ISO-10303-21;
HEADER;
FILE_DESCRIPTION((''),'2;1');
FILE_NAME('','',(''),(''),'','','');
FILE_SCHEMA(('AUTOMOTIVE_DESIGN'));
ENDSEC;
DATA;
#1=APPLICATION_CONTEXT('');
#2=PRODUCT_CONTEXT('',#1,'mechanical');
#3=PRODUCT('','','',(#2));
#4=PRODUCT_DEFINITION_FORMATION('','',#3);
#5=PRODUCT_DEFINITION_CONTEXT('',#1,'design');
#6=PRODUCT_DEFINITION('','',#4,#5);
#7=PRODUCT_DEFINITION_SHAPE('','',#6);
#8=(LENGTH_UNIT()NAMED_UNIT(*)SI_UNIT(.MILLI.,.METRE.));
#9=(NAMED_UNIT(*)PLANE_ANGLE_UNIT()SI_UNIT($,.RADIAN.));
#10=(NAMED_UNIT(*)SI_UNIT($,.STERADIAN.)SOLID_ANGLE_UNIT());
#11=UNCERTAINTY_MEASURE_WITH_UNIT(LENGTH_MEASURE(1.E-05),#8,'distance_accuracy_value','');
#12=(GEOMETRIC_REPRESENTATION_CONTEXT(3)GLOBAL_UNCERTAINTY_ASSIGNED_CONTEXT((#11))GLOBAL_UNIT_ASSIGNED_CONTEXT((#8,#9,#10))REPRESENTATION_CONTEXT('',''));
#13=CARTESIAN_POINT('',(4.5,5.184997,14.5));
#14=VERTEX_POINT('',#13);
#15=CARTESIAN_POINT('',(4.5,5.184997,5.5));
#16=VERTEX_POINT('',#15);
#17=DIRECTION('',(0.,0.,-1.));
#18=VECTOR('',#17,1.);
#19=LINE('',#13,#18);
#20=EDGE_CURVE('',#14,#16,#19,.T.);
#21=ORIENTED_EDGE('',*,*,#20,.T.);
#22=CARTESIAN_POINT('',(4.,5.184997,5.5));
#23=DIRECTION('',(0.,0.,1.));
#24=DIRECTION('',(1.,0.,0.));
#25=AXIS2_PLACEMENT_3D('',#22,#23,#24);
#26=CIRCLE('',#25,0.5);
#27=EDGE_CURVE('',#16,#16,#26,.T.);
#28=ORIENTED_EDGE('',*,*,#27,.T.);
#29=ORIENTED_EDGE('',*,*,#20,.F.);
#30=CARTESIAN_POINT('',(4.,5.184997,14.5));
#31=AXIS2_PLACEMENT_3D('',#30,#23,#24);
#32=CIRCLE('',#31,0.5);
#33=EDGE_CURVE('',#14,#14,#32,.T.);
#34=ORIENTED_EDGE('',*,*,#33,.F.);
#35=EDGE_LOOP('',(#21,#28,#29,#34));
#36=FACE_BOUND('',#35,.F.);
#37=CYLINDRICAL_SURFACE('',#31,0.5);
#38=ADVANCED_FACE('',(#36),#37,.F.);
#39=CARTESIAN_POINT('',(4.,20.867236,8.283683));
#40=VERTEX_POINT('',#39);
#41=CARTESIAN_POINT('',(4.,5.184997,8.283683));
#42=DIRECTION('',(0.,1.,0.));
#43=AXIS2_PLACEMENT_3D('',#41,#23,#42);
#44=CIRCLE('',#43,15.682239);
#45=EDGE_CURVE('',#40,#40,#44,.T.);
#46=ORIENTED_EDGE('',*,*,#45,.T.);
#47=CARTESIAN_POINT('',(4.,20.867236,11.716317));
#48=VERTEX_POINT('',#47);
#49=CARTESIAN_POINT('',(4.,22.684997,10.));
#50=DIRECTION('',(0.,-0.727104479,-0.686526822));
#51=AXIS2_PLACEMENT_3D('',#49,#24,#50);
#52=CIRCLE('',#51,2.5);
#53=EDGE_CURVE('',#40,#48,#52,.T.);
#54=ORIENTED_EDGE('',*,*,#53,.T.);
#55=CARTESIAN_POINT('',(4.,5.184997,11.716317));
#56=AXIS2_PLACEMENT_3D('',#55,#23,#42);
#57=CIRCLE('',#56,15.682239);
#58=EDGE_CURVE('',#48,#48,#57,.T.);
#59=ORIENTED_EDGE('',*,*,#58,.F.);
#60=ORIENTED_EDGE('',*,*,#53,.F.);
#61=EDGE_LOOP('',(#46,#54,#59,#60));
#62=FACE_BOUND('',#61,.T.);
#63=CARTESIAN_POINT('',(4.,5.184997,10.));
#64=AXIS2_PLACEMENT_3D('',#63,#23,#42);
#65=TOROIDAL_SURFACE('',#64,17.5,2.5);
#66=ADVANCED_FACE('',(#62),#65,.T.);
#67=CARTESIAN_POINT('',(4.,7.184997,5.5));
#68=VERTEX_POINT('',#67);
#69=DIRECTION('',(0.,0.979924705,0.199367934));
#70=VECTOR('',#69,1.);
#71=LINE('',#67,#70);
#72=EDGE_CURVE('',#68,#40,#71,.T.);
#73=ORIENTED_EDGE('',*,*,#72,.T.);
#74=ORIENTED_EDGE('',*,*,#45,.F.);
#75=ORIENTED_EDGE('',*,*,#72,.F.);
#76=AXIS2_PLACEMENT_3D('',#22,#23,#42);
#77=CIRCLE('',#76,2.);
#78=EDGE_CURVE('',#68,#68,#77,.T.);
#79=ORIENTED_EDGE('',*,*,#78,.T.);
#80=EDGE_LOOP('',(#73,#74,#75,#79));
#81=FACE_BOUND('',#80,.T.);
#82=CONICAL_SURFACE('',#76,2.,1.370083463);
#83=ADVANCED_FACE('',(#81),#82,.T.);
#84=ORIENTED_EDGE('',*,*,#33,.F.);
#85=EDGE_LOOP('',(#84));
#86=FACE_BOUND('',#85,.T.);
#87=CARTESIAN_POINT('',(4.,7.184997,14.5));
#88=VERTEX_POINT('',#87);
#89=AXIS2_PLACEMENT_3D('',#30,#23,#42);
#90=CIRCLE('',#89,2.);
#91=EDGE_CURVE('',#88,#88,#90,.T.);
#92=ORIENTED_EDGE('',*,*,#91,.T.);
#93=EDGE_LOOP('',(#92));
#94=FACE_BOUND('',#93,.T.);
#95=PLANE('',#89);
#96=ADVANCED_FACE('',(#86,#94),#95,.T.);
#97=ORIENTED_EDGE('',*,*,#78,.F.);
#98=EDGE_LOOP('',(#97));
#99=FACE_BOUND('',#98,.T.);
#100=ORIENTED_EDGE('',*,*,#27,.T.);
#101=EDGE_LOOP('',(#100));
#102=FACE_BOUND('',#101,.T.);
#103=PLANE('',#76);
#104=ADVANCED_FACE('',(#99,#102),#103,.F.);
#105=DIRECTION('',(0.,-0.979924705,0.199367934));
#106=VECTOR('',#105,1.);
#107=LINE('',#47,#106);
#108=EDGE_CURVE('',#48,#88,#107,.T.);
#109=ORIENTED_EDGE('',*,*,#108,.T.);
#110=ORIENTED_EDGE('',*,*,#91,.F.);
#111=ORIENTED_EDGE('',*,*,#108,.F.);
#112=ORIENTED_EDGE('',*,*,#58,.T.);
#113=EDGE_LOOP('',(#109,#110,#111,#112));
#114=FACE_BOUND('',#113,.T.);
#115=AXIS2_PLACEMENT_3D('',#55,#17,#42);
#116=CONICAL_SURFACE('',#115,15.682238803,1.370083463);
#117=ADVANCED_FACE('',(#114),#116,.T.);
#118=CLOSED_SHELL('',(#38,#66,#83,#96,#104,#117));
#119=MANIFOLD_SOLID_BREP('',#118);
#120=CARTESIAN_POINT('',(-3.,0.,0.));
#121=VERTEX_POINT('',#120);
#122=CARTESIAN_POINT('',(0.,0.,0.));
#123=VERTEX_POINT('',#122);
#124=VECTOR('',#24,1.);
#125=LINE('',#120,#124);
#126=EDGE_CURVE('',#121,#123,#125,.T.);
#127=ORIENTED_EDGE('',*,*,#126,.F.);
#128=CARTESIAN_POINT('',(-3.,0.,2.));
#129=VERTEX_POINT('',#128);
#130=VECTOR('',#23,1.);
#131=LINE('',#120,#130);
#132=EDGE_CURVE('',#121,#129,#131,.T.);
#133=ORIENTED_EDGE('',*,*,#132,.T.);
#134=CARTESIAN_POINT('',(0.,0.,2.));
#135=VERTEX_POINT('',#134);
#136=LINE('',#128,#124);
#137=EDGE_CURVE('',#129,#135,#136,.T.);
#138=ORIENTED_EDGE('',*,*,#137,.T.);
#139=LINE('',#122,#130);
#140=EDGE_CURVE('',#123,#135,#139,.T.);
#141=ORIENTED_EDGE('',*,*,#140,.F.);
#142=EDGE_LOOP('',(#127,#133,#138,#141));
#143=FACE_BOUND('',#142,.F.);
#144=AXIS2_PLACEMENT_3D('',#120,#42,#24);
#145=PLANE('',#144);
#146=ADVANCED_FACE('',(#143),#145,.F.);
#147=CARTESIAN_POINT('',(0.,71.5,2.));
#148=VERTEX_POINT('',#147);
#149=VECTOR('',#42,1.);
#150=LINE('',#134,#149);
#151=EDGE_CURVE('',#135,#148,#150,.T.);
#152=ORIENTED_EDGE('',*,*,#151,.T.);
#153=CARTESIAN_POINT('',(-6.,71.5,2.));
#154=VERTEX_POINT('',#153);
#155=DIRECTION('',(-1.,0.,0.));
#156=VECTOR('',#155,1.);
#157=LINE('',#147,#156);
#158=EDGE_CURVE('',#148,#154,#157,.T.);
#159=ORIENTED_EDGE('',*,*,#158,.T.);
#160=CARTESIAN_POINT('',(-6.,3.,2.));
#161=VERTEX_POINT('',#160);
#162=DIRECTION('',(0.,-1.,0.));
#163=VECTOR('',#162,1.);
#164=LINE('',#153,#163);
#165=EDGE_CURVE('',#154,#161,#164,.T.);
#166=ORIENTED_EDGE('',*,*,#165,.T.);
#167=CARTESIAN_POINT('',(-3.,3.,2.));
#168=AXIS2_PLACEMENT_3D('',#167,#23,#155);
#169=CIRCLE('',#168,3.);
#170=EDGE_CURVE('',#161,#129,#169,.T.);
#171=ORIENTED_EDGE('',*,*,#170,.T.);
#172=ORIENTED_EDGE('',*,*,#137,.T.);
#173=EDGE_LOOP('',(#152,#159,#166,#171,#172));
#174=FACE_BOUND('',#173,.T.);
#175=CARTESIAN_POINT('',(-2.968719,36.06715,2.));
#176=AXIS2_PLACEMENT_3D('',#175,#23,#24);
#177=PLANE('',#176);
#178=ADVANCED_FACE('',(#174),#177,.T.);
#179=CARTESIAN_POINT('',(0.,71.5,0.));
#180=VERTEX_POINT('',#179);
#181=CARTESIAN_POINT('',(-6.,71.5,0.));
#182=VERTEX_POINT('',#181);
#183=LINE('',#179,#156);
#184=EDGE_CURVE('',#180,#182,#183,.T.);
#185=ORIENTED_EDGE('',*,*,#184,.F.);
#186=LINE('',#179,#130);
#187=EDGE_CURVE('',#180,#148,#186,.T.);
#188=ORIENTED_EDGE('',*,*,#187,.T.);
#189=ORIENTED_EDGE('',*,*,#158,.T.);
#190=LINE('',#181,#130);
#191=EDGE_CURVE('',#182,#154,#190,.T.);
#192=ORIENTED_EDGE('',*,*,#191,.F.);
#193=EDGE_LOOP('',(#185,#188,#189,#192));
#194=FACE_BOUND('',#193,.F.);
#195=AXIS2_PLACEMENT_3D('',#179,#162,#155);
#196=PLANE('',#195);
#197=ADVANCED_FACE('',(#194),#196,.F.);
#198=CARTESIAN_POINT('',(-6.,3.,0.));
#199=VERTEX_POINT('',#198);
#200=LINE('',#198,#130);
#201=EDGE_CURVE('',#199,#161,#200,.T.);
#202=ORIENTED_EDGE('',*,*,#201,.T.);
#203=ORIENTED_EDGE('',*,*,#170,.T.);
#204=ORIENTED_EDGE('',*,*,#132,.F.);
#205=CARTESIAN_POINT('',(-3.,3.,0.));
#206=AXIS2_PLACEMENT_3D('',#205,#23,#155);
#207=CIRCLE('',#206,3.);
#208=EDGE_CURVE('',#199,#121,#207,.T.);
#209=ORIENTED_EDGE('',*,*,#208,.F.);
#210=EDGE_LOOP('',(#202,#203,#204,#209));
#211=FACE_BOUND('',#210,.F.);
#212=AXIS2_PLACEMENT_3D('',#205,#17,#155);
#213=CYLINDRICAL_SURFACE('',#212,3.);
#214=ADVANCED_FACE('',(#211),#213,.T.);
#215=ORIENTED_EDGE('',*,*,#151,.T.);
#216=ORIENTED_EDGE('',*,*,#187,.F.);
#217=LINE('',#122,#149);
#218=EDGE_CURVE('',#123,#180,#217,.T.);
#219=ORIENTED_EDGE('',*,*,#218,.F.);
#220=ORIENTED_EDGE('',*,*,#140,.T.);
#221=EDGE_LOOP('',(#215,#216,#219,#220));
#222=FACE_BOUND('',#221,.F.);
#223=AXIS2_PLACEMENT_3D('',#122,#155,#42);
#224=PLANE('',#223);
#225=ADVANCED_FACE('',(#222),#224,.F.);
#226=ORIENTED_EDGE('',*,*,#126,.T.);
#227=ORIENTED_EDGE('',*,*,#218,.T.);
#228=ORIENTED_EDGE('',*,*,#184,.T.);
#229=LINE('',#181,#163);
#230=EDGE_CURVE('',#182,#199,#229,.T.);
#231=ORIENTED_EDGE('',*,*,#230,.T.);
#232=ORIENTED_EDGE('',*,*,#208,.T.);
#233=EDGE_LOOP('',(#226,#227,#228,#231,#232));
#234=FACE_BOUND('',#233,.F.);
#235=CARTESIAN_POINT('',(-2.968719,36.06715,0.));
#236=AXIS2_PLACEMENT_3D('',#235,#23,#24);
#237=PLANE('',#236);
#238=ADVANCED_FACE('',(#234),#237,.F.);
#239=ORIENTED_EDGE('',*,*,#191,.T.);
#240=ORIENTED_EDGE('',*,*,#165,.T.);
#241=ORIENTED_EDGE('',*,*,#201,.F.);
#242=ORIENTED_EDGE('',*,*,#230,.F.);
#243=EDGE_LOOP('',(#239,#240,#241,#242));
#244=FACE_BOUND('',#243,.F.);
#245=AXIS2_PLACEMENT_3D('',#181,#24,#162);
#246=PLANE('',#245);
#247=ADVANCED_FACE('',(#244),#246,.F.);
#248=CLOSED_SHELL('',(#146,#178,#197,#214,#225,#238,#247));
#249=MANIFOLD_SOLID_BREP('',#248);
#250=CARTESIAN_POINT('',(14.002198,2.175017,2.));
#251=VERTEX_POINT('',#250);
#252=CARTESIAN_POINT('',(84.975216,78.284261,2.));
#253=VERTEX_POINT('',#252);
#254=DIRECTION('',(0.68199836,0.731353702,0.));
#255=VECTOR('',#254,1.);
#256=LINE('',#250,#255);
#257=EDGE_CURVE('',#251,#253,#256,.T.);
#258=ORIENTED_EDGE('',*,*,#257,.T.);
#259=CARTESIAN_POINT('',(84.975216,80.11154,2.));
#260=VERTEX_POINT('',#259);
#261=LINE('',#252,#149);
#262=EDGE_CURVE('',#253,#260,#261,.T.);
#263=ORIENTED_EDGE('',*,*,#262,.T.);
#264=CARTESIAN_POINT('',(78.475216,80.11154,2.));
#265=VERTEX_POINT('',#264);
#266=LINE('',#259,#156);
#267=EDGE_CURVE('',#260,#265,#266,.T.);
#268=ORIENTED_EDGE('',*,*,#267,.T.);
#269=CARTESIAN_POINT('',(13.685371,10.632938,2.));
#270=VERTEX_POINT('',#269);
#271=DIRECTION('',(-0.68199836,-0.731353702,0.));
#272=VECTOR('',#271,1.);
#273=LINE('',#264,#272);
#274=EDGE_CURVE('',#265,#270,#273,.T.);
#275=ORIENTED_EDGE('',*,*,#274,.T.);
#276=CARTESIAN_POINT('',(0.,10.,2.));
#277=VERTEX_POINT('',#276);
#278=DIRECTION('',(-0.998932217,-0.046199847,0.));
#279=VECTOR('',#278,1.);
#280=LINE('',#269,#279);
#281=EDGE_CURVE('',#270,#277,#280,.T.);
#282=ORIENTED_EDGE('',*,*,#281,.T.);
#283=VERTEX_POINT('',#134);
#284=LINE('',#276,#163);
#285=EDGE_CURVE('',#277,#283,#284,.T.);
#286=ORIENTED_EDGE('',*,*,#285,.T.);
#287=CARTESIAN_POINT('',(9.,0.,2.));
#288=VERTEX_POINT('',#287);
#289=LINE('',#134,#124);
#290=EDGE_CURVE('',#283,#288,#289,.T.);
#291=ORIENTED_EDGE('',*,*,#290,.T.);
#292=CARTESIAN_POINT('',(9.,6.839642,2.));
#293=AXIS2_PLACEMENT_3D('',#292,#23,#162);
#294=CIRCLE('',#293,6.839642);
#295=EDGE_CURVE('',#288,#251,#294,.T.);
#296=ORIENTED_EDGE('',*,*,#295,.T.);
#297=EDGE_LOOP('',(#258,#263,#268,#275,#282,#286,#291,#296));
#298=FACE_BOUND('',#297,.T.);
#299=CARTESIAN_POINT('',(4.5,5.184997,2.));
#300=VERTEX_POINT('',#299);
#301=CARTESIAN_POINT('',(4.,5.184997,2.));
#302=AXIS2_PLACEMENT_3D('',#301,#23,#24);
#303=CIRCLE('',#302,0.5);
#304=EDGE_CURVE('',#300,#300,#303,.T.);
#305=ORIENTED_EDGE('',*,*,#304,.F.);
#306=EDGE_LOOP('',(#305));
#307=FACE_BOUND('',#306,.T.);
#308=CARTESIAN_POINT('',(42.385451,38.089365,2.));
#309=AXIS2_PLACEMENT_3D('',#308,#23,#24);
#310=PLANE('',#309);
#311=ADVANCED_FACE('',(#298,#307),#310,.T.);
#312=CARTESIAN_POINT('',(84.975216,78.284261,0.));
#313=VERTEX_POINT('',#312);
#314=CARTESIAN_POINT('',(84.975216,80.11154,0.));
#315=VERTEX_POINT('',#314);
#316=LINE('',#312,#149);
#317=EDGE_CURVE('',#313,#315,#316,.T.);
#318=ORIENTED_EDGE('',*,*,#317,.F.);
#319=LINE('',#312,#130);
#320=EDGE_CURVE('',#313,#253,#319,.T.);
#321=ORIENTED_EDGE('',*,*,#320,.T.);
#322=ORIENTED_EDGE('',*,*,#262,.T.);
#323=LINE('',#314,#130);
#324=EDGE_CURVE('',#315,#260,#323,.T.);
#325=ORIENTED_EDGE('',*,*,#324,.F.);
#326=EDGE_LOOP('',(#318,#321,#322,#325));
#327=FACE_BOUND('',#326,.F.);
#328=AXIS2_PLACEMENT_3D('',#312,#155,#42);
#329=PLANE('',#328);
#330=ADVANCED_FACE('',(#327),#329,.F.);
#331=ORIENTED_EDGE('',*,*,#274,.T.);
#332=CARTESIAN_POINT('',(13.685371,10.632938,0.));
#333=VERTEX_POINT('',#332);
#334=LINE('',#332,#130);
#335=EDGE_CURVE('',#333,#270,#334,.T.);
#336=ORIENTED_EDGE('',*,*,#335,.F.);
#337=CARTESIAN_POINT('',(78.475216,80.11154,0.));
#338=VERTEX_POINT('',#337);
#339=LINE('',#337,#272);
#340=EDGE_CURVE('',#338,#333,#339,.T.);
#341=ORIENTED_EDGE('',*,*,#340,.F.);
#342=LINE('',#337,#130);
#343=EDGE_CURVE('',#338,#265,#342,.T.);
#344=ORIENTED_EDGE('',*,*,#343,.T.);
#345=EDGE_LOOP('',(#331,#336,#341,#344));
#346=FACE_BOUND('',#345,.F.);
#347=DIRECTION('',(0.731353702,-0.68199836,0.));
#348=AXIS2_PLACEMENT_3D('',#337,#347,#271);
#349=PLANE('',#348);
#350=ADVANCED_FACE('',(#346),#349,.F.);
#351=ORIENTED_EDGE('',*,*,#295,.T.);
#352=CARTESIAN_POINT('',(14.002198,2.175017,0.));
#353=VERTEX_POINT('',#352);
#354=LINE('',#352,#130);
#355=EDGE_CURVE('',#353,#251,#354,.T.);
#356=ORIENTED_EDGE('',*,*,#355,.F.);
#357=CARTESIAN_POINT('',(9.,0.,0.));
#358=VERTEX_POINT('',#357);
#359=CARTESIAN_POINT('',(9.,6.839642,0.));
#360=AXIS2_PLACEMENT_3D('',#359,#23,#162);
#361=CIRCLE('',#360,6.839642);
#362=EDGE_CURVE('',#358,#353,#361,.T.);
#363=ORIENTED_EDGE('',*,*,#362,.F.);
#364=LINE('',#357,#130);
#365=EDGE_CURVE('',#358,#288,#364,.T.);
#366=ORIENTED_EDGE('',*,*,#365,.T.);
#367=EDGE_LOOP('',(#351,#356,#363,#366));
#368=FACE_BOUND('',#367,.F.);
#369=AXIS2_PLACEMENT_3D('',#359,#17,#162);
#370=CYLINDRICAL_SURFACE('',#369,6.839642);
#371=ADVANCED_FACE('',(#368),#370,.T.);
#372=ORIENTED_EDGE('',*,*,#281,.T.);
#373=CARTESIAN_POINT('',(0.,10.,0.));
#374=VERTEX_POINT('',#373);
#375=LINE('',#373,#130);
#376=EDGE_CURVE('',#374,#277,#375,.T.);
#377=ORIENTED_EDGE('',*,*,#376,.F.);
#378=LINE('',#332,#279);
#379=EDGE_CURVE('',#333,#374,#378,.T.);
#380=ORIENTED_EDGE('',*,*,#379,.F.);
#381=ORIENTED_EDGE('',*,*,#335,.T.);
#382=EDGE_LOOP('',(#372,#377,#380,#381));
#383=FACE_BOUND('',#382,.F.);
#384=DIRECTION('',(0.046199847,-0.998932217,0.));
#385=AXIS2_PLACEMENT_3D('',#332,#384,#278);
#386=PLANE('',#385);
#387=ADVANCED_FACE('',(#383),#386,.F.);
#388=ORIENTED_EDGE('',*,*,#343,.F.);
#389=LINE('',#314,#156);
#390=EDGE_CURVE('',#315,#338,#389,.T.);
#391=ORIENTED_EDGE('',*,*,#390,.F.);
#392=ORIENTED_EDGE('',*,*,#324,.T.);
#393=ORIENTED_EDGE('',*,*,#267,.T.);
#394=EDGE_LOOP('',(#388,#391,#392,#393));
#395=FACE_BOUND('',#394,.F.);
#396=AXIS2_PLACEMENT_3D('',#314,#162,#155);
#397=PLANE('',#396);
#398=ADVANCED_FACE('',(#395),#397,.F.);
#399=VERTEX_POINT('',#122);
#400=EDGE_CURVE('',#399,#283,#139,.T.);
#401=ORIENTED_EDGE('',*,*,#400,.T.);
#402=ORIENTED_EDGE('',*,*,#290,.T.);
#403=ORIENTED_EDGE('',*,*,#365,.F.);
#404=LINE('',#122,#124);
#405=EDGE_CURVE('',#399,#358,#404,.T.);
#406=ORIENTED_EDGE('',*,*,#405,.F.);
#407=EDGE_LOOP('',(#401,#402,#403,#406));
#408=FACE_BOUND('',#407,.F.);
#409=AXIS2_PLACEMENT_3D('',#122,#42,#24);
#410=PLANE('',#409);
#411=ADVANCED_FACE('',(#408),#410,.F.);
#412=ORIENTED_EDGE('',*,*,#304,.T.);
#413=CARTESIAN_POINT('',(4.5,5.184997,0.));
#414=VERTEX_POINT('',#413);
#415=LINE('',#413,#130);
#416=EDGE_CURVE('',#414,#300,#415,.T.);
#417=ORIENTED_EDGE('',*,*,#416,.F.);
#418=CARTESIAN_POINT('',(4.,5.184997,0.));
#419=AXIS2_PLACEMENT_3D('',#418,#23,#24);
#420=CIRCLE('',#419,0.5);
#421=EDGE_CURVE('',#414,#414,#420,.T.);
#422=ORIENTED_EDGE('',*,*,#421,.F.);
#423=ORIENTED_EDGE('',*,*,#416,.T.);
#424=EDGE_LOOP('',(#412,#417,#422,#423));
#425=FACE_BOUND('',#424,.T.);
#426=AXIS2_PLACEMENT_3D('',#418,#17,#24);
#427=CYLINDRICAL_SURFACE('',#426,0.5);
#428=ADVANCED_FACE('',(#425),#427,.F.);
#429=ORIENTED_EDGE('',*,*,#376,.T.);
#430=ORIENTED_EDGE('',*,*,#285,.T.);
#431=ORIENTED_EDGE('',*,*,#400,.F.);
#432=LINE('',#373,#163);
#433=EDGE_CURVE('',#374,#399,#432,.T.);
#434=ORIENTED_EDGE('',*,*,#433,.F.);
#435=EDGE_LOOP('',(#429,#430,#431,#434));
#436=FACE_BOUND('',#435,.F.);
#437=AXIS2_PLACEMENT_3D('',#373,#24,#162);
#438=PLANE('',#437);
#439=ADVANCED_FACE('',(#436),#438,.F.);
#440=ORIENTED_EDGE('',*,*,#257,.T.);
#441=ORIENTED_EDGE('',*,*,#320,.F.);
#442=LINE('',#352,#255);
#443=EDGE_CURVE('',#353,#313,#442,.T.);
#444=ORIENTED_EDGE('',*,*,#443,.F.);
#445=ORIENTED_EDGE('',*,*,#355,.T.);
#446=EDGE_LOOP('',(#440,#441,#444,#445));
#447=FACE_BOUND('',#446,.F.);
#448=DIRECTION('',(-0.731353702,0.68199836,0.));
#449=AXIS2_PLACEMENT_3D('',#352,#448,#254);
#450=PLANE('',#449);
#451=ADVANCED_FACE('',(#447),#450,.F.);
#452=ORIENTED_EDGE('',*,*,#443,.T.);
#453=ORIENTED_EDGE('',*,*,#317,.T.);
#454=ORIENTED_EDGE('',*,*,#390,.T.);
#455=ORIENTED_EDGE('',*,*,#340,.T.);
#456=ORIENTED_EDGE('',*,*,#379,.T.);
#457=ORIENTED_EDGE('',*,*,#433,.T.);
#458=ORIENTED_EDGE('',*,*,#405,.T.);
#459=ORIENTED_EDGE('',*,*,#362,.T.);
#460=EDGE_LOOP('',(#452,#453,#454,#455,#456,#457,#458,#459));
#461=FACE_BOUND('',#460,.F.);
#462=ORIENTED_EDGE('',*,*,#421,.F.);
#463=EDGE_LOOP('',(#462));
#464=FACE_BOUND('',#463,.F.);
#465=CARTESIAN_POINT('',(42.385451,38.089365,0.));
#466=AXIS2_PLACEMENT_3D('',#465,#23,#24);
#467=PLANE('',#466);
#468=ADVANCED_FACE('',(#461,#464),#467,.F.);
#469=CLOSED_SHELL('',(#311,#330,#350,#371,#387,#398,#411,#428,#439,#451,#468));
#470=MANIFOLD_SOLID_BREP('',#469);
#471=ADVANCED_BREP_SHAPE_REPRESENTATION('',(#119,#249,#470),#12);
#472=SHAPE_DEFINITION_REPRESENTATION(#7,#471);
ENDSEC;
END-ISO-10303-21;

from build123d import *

# Parameters (mm, degrees)
F0_R     = 0.5
F1_DEPTH = 2
F2_DEPTH = 2
F7_R     = 0.5
F8_DEPTH = 25


with BuildPart() as f1:
    # F0 (on Top) → F1 (new body)
    with BuildSketch(Plane.XY):
        with BuildLine():
            Line((0, 10), (0, 0))
            Line((0, 0), (9, 0))
            ThreePointArc((9, 0), (11.7273010219, 0.5672794284), (14.002197756, 2.1750174863))
            Line((14.002197756, 2.1750174863), (84.9752155788, 78.2842610556))
            Line((84.9752155788, 78.2842610556), (84.9752155788, 80.1115395542))
            Line((84.9752155788, 80.1115395542), (78.4752155788, 80.1115395542))
            Line((78.4752155788, 80.1115395542), (13.6853713729, 10.6329379004))
            Line((13.6853713729, 10.6329379004), (0, 10))
        make_face()
        with Locations((4, 5.1849969236)):
            Circle(F0_R, mode=Mode.SUBTRACT)
    extrude(amount=F1_DEPTH)


with BuildPart() as f2:
    # F0 (on Top) → F2 (new body)
    with BuildSketch(Plane.XY):
        with BuildLine():
            Line((-3, 0), (0, 0))
            Line((0, 0), (0, 10))
            Line((0, 10), (0, 71.5))
            Line((0, 71.5), (-6, 71.5))
            Line((-6, 71.5), (-6, 3))
            ThreePointArc((-6, 3), (-5.1213203436, 0.8786796564), (-3, 0))
        make_face()
    extrude(amount=F2_DEPTH)


with BuildPart() as f6:
    # F5 (on plane+point) → F6 (revolve)
    with BuildSketch(Plane.YZ.offset(4)):
        with BuildLine():
            Line((7.1849969236, 5.5), (20.8672357266, 8.2836829457))
            ThreePointArc((20.8672357266, 8.2836829457), (25.1849969236, 10), (20.8672357266, 11.7163170543))
            Line((20.8672357266, 11.7163170543), (7.1849969236, 14.5))
            Line((7.1849969236, 14.5), (5.1849969236, 14.5))
            Line((5.1849969236, 14.5), (5.1849969236, 5.5))
            Line((5.1849969236, 5.5), (7.1849969236, 5.5))
        make_face()
    revolve(axis=Axis((4, 5.1849969236, 10), (0, 0, 1)))

    # F7 (on face) → F8 (cut)
    with BuildSketch(Plane.XY.offset(14.5)):
        with Locations((4, 5.1849969236)):
            Circle(F7_R)
    extrude(amount=-F8_DEPTH, mode=Mode.SUBTRACT)


solid = Compound([f1.part, f2.part, f6.part])
